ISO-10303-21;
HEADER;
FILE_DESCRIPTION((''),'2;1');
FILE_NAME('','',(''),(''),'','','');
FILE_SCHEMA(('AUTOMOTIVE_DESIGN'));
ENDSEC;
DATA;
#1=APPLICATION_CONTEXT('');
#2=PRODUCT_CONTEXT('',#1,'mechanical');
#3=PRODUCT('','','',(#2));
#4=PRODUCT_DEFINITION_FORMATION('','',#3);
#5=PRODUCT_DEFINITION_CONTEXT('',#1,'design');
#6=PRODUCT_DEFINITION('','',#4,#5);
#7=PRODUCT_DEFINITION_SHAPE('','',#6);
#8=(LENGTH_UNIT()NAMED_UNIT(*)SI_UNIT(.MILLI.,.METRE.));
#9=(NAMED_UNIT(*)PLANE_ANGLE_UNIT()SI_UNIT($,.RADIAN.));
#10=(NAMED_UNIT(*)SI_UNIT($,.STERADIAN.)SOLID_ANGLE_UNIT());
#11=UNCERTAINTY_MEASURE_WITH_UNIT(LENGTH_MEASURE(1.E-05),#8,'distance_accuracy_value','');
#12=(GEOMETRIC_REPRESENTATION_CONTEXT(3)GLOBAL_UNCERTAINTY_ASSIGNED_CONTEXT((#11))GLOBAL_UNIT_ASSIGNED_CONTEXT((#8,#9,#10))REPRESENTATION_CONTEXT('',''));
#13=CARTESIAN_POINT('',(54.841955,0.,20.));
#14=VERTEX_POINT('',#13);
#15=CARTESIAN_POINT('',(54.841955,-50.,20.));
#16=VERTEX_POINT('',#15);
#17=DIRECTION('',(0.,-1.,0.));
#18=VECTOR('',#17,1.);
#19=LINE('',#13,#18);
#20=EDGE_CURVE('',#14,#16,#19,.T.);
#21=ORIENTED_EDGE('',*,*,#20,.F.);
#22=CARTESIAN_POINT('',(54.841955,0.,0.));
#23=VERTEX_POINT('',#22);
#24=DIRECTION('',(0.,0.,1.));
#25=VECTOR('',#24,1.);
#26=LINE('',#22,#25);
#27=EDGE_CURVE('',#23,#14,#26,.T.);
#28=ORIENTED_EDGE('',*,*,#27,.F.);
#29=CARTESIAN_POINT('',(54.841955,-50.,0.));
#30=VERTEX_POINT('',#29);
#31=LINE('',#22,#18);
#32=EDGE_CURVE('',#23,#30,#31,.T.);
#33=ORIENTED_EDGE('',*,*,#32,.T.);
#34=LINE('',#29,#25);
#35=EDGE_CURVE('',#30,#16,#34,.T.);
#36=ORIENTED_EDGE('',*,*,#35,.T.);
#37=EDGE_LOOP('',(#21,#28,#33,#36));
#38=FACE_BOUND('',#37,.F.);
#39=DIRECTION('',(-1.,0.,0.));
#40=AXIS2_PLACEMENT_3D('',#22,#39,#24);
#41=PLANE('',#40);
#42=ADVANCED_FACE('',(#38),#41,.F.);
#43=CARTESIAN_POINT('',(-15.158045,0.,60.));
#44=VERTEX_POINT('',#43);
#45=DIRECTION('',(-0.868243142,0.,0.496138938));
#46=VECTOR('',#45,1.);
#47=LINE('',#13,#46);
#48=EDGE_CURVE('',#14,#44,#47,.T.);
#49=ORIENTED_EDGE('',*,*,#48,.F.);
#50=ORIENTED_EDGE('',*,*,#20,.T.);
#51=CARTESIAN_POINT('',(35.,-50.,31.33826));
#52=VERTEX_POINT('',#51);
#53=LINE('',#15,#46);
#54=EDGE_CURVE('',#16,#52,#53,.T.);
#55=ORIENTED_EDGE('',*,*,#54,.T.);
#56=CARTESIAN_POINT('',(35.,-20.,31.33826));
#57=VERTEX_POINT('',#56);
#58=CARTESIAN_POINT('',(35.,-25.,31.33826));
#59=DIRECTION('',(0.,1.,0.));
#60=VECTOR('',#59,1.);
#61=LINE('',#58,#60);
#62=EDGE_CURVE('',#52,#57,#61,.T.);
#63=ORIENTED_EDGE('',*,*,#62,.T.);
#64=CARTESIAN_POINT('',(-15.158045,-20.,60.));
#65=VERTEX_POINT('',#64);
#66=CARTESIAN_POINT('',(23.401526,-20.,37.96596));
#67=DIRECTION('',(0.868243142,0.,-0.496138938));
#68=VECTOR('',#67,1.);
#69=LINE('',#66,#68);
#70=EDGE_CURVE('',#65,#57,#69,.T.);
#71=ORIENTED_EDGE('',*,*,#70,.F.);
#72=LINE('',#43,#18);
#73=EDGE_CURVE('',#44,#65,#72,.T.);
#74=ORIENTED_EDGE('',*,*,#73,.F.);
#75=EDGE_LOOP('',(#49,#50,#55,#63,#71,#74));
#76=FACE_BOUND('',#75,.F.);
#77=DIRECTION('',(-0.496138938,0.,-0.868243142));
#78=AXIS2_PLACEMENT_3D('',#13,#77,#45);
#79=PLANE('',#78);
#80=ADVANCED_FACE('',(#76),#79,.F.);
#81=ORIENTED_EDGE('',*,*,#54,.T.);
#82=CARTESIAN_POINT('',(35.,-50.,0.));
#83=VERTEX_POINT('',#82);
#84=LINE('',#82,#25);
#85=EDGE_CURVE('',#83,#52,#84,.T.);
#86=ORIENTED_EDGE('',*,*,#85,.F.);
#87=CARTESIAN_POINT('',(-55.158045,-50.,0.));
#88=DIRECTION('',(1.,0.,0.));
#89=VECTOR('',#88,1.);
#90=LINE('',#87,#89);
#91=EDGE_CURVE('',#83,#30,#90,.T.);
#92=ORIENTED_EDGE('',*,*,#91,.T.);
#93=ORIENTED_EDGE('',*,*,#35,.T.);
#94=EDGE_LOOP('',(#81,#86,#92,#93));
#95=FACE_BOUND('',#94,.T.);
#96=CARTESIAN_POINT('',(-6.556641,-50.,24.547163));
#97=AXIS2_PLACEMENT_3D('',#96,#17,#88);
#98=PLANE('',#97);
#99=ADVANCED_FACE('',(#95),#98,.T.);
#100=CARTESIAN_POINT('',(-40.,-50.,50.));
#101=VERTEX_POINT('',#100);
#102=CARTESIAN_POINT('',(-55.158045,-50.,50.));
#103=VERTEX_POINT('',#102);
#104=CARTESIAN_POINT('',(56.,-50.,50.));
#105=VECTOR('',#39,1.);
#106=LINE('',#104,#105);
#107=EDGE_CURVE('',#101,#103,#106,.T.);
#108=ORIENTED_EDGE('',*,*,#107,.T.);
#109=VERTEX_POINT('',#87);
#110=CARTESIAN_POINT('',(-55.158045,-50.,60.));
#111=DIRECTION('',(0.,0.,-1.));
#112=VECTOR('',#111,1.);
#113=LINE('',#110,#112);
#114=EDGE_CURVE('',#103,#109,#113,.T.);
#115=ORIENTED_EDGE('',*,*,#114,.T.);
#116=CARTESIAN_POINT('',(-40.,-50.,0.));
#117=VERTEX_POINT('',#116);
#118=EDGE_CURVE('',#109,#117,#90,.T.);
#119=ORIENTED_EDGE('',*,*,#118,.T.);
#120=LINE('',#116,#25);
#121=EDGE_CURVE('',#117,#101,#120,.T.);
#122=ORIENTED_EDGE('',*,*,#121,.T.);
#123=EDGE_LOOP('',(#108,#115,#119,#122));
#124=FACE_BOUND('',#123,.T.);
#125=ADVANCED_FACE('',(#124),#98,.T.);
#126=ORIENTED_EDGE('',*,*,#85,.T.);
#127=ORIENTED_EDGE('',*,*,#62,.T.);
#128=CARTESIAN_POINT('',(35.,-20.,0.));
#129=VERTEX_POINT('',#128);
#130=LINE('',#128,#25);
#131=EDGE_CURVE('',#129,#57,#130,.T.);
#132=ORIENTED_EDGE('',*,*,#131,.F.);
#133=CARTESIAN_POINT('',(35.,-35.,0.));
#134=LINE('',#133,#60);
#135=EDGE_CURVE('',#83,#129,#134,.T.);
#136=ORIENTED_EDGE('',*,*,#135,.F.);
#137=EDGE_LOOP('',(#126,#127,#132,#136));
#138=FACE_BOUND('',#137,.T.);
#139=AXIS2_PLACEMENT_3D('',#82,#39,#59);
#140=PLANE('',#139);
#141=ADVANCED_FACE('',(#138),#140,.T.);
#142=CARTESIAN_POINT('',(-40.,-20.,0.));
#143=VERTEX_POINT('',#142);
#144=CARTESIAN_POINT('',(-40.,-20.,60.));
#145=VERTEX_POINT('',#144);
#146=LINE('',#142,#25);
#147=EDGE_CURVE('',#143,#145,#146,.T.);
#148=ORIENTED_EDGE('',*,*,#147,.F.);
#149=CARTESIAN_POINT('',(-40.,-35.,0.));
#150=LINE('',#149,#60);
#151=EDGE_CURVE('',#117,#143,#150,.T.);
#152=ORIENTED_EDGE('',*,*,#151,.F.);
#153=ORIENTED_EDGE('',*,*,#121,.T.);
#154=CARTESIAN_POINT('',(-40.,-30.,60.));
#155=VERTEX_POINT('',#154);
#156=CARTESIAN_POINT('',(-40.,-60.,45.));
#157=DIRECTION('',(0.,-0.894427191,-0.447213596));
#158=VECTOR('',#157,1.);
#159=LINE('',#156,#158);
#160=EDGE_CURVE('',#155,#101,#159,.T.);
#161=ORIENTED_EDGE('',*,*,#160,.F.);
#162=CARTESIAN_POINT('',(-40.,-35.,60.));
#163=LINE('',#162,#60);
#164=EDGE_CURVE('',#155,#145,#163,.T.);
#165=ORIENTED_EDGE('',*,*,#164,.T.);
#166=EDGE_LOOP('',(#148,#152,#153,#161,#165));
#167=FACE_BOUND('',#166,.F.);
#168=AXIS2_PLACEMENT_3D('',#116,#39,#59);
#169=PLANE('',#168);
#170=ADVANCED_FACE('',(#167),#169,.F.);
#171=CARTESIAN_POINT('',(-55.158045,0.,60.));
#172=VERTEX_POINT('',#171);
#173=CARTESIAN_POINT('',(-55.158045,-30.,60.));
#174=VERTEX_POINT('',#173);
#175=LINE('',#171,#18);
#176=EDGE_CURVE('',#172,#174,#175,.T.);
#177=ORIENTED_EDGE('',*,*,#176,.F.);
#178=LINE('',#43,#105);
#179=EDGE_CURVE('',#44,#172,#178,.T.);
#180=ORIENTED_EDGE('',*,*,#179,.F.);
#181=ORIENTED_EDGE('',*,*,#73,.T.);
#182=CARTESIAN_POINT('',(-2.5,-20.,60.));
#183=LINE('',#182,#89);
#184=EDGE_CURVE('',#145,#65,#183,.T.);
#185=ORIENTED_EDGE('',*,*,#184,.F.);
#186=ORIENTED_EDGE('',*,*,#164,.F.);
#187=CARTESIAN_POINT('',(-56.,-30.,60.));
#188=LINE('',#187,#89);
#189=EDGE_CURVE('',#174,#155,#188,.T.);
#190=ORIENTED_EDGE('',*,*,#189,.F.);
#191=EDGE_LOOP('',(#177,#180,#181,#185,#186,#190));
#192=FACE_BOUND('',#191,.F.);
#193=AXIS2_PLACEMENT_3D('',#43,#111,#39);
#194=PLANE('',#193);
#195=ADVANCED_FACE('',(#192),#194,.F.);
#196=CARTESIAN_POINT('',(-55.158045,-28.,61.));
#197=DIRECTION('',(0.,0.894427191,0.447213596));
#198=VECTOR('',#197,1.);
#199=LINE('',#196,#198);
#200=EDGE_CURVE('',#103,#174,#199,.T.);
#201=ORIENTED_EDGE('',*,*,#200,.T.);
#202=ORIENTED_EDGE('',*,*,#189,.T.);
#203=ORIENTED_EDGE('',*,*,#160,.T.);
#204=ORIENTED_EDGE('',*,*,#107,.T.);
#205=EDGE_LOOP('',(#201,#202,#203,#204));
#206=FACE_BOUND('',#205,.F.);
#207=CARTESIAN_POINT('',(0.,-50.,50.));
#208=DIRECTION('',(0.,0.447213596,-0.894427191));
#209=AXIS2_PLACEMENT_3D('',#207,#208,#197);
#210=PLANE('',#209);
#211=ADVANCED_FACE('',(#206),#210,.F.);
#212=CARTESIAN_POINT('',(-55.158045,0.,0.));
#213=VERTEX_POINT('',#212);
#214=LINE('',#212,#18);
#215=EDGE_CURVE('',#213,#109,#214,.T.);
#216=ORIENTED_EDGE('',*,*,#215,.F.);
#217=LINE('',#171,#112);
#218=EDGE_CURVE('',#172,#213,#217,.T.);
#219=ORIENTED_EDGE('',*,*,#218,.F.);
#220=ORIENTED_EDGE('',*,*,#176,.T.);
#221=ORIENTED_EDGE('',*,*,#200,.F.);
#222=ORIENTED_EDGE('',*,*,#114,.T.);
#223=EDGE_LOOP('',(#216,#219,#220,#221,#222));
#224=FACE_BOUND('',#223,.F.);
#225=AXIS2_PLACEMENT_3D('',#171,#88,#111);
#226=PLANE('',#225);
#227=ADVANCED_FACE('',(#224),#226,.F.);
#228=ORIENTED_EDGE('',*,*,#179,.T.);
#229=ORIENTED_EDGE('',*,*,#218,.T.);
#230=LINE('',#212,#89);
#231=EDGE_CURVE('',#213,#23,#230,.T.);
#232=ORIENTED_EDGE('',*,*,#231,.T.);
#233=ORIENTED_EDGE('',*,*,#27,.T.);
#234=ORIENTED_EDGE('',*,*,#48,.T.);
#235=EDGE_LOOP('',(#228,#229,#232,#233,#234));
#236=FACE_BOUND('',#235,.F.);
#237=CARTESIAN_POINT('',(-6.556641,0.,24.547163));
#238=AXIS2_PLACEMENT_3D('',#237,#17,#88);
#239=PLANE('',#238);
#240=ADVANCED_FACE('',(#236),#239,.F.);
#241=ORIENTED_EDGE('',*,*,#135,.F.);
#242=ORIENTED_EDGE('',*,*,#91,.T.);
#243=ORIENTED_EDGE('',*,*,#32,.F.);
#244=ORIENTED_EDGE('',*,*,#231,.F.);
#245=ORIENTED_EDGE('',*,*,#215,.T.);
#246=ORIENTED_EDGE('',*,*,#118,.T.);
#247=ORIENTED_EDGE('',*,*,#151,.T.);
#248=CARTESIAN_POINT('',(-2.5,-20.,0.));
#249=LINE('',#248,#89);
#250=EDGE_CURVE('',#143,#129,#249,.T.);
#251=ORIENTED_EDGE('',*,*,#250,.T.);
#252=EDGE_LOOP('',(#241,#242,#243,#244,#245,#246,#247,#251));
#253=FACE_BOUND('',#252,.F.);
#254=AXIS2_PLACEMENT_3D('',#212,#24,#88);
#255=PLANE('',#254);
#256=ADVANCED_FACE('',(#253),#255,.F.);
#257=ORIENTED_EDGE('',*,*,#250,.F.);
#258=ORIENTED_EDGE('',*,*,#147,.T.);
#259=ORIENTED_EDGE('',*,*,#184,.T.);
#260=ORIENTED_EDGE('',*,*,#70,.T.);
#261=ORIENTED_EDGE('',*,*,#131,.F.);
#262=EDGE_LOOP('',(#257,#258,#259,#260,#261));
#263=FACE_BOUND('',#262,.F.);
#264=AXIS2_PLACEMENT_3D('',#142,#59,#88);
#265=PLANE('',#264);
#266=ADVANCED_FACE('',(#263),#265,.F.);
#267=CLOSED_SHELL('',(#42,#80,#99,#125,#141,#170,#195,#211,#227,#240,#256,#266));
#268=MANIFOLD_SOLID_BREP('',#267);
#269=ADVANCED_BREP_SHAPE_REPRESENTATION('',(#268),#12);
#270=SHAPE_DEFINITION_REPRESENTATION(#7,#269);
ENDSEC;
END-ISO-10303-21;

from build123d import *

# Parameters (mm, degrees)
F1_DEPTH = 50
F2_W     = 75
F2_H     = 30
F3_DEPTH = 60
F5_DEPTH = 56


with BuildPart() as f1:
    # F0 (on Front) → F1 (new body)
    with BuildSketch(Plane.XZ):
        Polygon((-55.158045, 60), (-55.158045, 0), (54.841955, 0), (54.841955, 20), (-15.158045, 60), align=None)
    extrude(amount=F1_DEPTH)

    # F2 (on Top) → F3 (cut)
    with BuildSketch(Plane.XY):
        with Locations((-2.5, -35)):
            Rectangle(F2_W, F2_H)
    extrude(amount=F3_DEPTH, mode=Mode.SUBTRACT)

    # F4 (on Right) → F5 (cut, symmetric)
    with BuildSketch(Plane.YZ):
        Polygon((-50, 50), (-30, 60), (-50, 60), align=None)
    extrude(amount=F5_DEPTH, both=True, mode=Mode.SUBTRACT)


solid = f1.part
